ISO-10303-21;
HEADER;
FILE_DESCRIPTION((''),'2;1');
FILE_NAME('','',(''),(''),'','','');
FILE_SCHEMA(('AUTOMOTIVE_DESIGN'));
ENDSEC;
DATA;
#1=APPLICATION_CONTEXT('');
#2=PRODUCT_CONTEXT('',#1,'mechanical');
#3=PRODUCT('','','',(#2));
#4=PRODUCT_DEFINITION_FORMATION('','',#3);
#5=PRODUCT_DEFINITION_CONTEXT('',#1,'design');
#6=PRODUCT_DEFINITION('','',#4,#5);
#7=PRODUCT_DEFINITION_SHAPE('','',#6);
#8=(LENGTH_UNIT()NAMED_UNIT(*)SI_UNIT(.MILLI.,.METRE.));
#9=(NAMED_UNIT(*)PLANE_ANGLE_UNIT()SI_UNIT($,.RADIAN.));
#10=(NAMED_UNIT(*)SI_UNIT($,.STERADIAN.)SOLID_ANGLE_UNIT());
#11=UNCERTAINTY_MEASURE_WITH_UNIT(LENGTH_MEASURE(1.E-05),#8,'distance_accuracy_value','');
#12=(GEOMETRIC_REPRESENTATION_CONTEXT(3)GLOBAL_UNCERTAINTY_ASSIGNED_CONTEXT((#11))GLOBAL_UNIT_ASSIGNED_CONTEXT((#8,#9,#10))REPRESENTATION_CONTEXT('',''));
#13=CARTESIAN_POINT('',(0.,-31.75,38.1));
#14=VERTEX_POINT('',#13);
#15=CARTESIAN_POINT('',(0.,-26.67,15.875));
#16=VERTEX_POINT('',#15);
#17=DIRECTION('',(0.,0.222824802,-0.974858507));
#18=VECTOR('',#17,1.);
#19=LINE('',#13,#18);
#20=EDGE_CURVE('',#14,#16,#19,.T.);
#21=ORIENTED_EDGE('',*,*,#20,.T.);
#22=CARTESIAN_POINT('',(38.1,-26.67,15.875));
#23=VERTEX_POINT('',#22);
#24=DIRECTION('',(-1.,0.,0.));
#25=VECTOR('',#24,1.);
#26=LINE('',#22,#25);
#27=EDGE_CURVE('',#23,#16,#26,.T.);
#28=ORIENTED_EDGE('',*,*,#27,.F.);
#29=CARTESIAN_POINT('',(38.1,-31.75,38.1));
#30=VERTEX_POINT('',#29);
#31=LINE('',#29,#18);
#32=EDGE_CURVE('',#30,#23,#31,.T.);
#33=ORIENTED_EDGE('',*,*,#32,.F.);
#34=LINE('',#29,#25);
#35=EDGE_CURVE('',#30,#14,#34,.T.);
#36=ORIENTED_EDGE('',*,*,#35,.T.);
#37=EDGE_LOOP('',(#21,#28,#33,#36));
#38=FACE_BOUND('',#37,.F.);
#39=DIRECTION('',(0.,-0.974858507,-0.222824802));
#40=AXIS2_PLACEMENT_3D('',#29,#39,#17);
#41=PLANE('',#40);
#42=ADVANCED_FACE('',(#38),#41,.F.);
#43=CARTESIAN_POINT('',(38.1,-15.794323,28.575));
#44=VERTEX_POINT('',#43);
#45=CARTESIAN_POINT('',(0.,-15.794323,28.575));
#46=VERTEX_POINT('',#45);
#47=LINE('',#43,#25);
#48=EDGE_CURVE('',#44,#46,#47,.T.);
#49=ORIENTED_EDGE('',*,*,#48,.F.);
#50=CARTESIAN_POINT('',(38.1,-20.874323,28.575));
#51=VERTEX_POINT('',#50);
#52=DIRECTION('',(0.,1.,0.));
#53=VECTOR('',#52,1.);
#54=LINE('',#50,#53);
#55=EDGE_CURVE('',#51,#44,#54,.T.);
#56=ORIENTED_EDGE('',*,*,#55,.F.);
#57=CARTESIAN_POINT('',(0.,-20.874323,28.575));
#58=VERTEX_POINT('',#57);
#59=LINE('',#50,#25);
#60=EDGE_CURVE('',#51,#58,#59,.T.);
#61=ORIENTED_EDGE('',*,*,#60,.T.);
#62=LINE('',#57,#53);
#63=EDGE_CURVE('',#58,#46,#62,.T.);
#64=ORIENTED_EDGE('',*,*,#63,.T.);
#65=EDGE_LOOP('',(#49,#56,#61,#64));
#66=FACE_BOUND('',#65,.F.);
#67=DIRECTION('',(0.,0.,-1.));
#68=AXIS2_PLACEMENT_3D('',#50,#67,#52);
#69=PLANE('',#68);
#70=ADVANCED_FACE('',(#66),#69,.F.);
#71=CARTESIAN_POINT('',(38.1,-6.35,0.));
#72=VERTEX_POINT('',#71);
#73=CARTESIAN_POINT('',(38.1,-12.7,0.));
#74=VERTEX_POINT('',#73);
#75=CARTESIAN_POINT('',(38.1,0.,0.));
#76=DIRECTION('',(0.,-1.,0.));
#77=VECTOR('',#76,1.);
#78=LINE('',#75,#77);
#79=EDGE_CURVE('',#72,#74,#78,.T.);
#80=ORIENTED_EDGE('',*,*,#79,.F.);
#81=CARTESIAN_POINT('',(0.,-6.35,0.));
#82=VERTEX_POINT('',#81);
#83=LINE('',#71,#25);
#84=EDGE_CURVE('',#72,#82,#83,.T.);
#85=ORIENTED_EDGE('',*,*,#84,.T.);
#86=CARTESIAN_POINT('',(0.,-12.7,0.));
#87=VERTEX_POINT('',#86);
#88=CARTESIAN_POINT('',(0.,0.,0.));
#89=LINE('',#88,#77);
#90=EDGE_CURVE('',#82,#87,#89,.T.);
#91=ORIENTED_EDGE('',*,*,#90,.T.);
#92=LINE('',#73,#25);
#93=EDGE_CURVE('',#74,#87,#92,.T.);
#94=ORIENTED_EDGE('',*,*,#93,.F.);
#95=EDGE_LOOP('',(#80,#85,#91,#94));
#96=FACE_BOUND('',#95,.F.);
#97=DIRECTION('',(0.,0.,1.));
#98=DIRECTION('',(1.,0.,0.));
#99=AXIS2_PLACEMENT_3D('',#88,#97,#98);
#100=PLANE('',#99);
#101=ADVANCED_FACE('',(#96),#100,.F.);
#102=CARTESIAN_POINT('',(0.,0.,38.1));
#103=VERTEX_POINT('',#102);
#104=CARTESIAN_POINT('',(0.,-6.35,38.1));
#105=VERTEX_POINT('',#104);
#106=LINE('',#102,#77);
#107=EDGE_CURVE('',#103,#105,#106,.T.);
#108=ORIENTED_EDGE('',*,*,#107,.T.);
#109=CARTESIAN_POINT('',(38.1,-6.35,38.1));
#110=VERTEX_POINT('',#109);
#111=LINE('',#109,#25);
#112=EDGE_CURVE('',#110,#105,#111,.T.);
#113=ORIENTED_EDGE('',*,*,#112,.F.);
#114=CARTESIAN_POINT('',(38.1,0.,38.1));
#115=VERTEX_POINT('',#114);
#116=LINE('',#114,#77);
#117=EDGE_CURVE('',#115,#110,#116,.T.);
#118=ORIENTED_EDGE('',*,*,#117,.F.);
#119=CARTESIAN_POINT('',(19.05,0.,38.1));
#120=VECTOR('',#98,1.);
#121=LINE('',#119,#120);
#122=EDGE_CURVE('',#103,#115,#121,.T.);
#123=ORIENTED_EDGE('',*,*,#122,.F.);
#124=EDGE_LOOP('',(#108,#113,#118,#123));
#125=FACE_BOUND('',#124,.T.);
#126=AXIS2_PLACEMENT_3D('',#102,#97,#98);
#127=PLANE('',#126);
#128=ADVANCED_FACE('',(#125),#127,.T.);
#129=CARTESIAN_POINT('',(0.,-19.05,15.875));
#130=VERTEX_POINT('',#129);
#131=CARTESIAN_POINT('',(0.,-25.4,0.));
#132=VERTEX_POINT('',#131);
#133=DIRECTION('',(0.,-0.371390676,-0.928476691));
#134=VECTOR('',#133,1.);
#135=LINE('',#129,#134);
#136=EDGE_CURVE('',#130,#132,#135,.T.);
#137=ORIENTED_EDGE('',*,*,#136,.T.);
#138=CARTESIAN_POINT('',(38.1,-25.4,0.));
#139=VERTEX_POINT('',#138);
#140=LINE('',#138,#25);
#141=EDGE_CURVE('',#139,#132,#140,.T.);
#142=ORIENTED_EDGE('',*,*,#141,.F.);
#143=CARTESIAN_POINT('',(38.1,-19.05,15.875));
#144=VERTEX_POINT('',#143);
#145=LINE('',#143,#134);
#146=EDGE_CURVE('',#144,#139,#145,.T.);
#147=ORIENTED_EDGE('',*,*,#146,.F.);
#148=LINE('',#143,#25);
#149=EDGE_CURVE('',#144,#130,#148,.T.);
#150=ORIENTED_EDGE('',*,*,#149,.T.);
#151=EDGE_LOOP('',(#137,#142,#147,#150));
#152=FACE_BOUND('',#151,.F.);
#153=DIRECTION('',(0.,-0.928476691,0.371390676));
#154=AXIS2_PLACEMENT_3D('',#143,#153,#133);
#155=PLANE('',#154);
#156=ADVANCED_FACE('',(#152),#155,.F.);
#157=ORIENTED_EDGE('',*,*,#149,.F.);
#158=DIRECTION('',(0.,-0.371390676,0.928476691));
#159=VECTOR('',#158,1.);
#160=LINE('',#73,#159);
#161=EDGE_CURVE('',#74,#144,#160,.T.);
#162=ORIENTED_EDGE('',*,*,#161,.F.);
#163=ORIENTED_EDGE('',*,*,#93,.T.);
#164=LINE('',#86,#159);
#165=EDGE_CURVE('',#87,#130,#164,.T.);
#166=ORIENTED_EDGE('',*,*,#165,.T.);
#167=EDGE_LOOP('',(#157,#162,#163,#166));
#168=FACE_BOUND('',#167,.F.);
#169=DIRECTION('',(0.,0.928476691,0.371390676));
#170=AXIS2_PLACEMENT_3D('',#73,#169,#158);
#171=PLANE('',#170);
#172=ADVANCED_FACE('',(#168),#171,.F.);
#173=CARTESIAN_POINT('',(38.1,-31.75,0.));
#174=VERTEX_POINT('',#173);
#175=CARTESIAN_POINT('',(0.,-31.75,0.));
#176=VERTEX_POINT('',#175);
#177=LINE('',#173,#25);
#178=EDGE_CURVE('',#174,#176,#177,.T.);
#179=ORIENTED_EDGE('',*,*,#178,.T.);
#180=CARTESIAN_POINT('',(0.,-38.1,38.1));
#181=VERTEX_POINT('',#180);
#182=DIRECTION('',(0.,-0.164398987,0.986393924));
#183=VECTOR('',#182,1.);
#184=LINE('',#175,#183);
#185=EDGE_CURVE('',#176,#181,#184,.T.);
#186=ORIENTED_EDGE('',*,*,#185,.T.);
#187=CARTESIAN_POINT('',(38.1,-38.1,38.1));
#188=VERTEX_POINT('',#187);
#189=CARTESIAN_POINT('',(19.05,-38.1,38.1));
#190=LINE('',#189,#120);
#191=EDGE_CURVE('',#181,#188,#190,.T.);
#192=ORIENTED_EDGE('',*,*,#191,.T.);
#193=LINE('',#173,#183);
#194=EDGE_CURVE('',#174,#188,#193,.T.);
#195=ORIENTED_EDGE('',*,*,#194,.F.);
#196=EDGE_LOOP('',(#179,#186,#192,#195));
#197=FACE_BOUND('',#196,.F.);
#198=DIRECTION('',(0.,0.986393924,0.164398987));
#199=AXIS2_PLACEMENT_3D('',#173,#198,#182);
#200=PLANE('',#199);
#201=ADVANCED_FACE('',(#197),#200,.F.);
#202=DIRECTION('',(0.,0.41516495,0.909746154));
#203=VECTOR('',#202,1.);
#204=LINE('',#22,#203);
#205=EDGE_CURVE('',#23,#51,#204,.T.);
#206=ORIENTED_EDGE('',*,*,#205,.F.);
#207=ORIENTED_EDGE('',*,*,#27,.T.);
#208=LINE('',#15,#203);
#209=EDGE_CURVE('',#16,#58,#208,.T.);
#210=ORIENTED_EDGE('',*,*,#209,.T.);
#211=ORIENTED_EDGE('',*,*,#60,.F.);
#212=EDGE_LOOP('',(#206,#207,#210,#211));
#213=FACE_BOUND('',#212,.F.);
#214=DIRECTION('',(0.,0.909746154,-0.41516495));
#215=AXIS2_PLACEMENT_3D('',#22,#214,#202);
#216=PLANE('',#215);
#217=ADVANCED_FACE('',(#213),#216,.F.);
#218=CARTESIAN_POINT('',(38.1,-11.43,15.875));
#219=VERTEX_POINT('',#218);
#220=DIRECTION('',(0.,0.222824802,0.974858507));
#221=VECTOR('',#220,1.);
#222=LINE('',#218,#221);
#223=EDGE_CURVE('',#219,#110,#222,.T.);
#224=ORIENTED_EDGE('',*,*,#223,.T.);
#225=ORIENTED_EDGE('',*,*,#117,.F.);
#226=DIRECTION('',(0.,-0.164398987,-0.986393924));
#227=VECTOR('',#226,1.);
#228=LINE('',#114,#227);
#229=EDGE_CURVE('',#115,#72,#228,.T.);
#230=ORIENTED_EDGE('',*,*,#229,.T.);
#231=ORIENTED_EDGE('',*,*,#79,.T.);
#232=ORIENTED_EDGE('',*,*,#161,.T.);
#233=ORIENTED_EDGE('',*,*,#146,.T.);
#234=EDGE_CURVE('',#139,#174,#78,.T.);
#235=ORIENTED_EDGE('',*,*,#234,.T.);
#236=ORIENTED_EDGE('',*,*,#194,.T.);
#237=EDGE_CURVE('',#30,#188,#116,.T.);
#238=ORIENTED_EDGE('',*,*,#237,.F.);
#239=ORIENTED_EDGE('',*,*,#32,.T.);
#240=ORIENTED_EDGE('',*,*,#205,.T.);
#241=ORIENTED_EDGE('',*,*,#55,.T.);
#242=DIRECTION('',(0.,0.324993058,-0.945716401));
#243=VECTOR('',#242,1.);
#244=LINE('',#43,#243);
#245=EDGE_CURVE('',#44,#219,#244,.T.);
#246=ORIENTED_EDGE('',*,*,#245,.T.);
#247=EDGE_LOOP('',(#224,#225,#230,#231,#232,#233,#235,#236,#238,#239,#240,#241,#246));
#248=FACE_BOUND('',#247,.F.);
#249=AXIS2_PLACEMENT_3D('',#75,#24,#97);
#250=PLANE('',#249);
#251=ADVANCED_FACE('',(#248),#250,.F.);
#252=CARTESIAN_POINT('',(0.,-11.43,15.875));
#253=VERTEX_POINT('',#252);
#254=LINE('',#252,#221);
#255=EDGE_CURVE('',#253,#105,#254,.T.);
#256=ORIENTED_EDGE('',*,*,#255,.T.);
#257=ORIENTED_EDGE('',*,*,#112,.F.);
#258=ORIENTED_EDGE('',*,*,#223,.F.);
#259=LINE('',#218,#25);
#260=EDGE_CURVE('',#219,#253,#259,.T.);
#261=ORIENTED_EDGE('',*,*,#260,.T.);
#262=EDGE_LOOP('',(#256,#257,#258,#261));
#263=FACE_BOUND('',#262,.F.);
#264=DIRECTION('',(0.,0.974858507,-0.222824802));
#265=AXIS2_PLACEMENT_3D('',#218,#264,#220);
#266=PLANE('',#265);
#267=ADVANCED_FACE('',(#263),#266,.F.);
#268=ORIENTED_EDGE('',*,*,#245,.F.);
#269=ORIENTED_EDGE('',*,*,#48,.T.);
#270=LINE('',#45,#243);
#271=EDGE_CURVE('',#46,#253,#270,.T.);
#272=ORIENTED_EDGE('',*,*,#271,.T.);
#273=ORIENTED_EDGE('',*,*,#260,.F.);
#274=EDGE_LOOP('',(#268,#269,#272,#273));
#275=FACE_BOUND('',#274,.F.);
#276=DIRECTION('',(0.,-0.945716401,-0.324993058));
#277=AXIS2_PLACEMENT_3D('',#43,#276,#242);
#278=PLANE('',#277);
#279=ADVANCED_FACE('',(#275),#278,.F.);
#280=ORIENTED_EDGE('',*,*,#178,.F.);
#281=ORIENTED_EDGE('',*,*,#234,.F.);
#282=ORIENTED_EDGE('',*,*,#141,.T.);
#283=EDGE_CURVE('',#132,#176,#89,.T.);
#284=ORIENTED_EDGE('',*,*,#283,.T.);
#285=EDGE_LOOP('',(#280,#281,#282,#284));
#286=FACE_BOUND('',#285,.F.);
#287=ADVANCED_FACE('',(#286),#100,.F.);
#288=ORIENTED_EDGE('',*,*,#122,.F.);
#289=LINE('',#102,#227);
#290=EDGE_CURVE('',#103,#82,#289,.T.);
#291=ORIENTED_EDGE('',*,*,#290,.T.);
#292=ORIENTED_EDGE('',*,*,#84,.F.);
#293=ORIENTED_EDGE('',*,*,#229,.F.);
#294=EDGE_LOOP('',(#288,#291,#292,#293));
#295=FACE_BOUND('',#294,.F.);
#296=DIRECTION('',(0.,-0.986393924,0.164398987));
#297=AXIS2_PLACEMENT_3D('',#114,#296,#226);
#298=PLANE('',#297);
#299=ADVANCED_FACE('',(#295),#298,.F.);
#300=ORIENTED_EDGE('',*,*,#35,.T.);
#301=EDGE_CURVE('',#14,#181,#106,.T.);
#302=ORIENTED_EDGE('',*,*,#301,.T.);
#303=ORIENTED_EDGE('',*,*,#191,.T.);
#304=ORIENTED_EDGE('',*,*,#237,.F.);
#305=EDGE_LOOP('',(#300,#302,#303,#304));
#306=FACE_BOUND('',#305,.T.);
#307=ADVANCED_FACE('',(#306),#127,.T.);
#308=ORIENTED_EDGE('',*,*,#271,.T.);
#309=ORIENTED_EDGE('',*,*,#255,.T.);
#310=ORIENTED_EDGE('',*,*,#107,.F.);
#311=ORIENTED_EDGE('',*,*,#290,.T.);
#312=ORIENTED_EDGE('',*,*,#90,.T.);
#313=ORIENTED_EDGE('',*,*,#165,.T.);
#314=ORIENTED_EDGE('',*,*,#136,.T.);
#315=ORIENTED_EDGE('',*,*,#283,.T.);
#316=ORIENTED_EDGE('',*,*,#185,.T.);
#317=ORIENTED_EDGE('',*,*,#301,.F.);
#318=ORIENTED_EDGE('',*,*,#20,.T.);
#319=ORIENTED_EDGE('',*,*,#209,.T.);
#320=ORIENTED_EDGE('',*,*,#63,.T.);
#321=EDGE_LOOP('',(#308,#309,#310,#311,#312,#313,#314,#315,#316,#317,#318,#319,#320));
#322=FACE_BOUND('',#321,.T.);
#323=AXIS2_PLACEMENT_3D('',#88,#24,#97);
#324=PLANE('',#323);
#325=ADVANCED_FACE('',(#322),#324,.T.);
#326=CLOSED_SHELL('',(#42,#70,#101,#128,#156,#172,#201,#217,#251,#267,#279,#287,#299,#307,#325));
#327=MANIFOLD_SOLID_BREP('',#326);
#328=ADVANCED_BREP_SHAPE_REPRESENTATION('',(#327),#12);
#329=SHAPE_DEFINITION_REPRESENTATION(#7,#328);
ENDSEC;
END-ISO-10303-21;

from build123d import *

# Parameters (mm, degrees)
F0_W     = 38.1
F0_H     = 38.1
F1_DEPTH = 38.1
F5_DEPTH = 38.1


with BuildPart() as f1:
    # F0 (on Front) → F1 (new body)
    with BuildSketch(Plane.XZ):
        with Locations((19.05, 19.05)):
            Rectangle(F0_W, F0_H)
    extrude(amount=F1_DEPTH)

    # F4 (on offset) → F5 (cut)
    with BuildSketch(Plane.YZ.offset(38.1)):
        Polygon((-11.43, 15.875), (-6.35, 38.1), (-31.75, 38.1), (-26.67, 15.875), (-20.874323, 28.575), (-15.794323, 28.575), align=None)
        Polygon((-31.75, 0), (-38.1, 38.1), (-38.1, 0), align=None)
        Polygon((-25.4, 0), (-12.7, 0), (-19.05, 15.875), align=None)
        Polygon((-6.35, 0), (0, 0), (0, 38.1), align=None)
    extrude(amount=-F5_DEPTH, mode=Mode.SUBTRACT)


solid = f1.part
